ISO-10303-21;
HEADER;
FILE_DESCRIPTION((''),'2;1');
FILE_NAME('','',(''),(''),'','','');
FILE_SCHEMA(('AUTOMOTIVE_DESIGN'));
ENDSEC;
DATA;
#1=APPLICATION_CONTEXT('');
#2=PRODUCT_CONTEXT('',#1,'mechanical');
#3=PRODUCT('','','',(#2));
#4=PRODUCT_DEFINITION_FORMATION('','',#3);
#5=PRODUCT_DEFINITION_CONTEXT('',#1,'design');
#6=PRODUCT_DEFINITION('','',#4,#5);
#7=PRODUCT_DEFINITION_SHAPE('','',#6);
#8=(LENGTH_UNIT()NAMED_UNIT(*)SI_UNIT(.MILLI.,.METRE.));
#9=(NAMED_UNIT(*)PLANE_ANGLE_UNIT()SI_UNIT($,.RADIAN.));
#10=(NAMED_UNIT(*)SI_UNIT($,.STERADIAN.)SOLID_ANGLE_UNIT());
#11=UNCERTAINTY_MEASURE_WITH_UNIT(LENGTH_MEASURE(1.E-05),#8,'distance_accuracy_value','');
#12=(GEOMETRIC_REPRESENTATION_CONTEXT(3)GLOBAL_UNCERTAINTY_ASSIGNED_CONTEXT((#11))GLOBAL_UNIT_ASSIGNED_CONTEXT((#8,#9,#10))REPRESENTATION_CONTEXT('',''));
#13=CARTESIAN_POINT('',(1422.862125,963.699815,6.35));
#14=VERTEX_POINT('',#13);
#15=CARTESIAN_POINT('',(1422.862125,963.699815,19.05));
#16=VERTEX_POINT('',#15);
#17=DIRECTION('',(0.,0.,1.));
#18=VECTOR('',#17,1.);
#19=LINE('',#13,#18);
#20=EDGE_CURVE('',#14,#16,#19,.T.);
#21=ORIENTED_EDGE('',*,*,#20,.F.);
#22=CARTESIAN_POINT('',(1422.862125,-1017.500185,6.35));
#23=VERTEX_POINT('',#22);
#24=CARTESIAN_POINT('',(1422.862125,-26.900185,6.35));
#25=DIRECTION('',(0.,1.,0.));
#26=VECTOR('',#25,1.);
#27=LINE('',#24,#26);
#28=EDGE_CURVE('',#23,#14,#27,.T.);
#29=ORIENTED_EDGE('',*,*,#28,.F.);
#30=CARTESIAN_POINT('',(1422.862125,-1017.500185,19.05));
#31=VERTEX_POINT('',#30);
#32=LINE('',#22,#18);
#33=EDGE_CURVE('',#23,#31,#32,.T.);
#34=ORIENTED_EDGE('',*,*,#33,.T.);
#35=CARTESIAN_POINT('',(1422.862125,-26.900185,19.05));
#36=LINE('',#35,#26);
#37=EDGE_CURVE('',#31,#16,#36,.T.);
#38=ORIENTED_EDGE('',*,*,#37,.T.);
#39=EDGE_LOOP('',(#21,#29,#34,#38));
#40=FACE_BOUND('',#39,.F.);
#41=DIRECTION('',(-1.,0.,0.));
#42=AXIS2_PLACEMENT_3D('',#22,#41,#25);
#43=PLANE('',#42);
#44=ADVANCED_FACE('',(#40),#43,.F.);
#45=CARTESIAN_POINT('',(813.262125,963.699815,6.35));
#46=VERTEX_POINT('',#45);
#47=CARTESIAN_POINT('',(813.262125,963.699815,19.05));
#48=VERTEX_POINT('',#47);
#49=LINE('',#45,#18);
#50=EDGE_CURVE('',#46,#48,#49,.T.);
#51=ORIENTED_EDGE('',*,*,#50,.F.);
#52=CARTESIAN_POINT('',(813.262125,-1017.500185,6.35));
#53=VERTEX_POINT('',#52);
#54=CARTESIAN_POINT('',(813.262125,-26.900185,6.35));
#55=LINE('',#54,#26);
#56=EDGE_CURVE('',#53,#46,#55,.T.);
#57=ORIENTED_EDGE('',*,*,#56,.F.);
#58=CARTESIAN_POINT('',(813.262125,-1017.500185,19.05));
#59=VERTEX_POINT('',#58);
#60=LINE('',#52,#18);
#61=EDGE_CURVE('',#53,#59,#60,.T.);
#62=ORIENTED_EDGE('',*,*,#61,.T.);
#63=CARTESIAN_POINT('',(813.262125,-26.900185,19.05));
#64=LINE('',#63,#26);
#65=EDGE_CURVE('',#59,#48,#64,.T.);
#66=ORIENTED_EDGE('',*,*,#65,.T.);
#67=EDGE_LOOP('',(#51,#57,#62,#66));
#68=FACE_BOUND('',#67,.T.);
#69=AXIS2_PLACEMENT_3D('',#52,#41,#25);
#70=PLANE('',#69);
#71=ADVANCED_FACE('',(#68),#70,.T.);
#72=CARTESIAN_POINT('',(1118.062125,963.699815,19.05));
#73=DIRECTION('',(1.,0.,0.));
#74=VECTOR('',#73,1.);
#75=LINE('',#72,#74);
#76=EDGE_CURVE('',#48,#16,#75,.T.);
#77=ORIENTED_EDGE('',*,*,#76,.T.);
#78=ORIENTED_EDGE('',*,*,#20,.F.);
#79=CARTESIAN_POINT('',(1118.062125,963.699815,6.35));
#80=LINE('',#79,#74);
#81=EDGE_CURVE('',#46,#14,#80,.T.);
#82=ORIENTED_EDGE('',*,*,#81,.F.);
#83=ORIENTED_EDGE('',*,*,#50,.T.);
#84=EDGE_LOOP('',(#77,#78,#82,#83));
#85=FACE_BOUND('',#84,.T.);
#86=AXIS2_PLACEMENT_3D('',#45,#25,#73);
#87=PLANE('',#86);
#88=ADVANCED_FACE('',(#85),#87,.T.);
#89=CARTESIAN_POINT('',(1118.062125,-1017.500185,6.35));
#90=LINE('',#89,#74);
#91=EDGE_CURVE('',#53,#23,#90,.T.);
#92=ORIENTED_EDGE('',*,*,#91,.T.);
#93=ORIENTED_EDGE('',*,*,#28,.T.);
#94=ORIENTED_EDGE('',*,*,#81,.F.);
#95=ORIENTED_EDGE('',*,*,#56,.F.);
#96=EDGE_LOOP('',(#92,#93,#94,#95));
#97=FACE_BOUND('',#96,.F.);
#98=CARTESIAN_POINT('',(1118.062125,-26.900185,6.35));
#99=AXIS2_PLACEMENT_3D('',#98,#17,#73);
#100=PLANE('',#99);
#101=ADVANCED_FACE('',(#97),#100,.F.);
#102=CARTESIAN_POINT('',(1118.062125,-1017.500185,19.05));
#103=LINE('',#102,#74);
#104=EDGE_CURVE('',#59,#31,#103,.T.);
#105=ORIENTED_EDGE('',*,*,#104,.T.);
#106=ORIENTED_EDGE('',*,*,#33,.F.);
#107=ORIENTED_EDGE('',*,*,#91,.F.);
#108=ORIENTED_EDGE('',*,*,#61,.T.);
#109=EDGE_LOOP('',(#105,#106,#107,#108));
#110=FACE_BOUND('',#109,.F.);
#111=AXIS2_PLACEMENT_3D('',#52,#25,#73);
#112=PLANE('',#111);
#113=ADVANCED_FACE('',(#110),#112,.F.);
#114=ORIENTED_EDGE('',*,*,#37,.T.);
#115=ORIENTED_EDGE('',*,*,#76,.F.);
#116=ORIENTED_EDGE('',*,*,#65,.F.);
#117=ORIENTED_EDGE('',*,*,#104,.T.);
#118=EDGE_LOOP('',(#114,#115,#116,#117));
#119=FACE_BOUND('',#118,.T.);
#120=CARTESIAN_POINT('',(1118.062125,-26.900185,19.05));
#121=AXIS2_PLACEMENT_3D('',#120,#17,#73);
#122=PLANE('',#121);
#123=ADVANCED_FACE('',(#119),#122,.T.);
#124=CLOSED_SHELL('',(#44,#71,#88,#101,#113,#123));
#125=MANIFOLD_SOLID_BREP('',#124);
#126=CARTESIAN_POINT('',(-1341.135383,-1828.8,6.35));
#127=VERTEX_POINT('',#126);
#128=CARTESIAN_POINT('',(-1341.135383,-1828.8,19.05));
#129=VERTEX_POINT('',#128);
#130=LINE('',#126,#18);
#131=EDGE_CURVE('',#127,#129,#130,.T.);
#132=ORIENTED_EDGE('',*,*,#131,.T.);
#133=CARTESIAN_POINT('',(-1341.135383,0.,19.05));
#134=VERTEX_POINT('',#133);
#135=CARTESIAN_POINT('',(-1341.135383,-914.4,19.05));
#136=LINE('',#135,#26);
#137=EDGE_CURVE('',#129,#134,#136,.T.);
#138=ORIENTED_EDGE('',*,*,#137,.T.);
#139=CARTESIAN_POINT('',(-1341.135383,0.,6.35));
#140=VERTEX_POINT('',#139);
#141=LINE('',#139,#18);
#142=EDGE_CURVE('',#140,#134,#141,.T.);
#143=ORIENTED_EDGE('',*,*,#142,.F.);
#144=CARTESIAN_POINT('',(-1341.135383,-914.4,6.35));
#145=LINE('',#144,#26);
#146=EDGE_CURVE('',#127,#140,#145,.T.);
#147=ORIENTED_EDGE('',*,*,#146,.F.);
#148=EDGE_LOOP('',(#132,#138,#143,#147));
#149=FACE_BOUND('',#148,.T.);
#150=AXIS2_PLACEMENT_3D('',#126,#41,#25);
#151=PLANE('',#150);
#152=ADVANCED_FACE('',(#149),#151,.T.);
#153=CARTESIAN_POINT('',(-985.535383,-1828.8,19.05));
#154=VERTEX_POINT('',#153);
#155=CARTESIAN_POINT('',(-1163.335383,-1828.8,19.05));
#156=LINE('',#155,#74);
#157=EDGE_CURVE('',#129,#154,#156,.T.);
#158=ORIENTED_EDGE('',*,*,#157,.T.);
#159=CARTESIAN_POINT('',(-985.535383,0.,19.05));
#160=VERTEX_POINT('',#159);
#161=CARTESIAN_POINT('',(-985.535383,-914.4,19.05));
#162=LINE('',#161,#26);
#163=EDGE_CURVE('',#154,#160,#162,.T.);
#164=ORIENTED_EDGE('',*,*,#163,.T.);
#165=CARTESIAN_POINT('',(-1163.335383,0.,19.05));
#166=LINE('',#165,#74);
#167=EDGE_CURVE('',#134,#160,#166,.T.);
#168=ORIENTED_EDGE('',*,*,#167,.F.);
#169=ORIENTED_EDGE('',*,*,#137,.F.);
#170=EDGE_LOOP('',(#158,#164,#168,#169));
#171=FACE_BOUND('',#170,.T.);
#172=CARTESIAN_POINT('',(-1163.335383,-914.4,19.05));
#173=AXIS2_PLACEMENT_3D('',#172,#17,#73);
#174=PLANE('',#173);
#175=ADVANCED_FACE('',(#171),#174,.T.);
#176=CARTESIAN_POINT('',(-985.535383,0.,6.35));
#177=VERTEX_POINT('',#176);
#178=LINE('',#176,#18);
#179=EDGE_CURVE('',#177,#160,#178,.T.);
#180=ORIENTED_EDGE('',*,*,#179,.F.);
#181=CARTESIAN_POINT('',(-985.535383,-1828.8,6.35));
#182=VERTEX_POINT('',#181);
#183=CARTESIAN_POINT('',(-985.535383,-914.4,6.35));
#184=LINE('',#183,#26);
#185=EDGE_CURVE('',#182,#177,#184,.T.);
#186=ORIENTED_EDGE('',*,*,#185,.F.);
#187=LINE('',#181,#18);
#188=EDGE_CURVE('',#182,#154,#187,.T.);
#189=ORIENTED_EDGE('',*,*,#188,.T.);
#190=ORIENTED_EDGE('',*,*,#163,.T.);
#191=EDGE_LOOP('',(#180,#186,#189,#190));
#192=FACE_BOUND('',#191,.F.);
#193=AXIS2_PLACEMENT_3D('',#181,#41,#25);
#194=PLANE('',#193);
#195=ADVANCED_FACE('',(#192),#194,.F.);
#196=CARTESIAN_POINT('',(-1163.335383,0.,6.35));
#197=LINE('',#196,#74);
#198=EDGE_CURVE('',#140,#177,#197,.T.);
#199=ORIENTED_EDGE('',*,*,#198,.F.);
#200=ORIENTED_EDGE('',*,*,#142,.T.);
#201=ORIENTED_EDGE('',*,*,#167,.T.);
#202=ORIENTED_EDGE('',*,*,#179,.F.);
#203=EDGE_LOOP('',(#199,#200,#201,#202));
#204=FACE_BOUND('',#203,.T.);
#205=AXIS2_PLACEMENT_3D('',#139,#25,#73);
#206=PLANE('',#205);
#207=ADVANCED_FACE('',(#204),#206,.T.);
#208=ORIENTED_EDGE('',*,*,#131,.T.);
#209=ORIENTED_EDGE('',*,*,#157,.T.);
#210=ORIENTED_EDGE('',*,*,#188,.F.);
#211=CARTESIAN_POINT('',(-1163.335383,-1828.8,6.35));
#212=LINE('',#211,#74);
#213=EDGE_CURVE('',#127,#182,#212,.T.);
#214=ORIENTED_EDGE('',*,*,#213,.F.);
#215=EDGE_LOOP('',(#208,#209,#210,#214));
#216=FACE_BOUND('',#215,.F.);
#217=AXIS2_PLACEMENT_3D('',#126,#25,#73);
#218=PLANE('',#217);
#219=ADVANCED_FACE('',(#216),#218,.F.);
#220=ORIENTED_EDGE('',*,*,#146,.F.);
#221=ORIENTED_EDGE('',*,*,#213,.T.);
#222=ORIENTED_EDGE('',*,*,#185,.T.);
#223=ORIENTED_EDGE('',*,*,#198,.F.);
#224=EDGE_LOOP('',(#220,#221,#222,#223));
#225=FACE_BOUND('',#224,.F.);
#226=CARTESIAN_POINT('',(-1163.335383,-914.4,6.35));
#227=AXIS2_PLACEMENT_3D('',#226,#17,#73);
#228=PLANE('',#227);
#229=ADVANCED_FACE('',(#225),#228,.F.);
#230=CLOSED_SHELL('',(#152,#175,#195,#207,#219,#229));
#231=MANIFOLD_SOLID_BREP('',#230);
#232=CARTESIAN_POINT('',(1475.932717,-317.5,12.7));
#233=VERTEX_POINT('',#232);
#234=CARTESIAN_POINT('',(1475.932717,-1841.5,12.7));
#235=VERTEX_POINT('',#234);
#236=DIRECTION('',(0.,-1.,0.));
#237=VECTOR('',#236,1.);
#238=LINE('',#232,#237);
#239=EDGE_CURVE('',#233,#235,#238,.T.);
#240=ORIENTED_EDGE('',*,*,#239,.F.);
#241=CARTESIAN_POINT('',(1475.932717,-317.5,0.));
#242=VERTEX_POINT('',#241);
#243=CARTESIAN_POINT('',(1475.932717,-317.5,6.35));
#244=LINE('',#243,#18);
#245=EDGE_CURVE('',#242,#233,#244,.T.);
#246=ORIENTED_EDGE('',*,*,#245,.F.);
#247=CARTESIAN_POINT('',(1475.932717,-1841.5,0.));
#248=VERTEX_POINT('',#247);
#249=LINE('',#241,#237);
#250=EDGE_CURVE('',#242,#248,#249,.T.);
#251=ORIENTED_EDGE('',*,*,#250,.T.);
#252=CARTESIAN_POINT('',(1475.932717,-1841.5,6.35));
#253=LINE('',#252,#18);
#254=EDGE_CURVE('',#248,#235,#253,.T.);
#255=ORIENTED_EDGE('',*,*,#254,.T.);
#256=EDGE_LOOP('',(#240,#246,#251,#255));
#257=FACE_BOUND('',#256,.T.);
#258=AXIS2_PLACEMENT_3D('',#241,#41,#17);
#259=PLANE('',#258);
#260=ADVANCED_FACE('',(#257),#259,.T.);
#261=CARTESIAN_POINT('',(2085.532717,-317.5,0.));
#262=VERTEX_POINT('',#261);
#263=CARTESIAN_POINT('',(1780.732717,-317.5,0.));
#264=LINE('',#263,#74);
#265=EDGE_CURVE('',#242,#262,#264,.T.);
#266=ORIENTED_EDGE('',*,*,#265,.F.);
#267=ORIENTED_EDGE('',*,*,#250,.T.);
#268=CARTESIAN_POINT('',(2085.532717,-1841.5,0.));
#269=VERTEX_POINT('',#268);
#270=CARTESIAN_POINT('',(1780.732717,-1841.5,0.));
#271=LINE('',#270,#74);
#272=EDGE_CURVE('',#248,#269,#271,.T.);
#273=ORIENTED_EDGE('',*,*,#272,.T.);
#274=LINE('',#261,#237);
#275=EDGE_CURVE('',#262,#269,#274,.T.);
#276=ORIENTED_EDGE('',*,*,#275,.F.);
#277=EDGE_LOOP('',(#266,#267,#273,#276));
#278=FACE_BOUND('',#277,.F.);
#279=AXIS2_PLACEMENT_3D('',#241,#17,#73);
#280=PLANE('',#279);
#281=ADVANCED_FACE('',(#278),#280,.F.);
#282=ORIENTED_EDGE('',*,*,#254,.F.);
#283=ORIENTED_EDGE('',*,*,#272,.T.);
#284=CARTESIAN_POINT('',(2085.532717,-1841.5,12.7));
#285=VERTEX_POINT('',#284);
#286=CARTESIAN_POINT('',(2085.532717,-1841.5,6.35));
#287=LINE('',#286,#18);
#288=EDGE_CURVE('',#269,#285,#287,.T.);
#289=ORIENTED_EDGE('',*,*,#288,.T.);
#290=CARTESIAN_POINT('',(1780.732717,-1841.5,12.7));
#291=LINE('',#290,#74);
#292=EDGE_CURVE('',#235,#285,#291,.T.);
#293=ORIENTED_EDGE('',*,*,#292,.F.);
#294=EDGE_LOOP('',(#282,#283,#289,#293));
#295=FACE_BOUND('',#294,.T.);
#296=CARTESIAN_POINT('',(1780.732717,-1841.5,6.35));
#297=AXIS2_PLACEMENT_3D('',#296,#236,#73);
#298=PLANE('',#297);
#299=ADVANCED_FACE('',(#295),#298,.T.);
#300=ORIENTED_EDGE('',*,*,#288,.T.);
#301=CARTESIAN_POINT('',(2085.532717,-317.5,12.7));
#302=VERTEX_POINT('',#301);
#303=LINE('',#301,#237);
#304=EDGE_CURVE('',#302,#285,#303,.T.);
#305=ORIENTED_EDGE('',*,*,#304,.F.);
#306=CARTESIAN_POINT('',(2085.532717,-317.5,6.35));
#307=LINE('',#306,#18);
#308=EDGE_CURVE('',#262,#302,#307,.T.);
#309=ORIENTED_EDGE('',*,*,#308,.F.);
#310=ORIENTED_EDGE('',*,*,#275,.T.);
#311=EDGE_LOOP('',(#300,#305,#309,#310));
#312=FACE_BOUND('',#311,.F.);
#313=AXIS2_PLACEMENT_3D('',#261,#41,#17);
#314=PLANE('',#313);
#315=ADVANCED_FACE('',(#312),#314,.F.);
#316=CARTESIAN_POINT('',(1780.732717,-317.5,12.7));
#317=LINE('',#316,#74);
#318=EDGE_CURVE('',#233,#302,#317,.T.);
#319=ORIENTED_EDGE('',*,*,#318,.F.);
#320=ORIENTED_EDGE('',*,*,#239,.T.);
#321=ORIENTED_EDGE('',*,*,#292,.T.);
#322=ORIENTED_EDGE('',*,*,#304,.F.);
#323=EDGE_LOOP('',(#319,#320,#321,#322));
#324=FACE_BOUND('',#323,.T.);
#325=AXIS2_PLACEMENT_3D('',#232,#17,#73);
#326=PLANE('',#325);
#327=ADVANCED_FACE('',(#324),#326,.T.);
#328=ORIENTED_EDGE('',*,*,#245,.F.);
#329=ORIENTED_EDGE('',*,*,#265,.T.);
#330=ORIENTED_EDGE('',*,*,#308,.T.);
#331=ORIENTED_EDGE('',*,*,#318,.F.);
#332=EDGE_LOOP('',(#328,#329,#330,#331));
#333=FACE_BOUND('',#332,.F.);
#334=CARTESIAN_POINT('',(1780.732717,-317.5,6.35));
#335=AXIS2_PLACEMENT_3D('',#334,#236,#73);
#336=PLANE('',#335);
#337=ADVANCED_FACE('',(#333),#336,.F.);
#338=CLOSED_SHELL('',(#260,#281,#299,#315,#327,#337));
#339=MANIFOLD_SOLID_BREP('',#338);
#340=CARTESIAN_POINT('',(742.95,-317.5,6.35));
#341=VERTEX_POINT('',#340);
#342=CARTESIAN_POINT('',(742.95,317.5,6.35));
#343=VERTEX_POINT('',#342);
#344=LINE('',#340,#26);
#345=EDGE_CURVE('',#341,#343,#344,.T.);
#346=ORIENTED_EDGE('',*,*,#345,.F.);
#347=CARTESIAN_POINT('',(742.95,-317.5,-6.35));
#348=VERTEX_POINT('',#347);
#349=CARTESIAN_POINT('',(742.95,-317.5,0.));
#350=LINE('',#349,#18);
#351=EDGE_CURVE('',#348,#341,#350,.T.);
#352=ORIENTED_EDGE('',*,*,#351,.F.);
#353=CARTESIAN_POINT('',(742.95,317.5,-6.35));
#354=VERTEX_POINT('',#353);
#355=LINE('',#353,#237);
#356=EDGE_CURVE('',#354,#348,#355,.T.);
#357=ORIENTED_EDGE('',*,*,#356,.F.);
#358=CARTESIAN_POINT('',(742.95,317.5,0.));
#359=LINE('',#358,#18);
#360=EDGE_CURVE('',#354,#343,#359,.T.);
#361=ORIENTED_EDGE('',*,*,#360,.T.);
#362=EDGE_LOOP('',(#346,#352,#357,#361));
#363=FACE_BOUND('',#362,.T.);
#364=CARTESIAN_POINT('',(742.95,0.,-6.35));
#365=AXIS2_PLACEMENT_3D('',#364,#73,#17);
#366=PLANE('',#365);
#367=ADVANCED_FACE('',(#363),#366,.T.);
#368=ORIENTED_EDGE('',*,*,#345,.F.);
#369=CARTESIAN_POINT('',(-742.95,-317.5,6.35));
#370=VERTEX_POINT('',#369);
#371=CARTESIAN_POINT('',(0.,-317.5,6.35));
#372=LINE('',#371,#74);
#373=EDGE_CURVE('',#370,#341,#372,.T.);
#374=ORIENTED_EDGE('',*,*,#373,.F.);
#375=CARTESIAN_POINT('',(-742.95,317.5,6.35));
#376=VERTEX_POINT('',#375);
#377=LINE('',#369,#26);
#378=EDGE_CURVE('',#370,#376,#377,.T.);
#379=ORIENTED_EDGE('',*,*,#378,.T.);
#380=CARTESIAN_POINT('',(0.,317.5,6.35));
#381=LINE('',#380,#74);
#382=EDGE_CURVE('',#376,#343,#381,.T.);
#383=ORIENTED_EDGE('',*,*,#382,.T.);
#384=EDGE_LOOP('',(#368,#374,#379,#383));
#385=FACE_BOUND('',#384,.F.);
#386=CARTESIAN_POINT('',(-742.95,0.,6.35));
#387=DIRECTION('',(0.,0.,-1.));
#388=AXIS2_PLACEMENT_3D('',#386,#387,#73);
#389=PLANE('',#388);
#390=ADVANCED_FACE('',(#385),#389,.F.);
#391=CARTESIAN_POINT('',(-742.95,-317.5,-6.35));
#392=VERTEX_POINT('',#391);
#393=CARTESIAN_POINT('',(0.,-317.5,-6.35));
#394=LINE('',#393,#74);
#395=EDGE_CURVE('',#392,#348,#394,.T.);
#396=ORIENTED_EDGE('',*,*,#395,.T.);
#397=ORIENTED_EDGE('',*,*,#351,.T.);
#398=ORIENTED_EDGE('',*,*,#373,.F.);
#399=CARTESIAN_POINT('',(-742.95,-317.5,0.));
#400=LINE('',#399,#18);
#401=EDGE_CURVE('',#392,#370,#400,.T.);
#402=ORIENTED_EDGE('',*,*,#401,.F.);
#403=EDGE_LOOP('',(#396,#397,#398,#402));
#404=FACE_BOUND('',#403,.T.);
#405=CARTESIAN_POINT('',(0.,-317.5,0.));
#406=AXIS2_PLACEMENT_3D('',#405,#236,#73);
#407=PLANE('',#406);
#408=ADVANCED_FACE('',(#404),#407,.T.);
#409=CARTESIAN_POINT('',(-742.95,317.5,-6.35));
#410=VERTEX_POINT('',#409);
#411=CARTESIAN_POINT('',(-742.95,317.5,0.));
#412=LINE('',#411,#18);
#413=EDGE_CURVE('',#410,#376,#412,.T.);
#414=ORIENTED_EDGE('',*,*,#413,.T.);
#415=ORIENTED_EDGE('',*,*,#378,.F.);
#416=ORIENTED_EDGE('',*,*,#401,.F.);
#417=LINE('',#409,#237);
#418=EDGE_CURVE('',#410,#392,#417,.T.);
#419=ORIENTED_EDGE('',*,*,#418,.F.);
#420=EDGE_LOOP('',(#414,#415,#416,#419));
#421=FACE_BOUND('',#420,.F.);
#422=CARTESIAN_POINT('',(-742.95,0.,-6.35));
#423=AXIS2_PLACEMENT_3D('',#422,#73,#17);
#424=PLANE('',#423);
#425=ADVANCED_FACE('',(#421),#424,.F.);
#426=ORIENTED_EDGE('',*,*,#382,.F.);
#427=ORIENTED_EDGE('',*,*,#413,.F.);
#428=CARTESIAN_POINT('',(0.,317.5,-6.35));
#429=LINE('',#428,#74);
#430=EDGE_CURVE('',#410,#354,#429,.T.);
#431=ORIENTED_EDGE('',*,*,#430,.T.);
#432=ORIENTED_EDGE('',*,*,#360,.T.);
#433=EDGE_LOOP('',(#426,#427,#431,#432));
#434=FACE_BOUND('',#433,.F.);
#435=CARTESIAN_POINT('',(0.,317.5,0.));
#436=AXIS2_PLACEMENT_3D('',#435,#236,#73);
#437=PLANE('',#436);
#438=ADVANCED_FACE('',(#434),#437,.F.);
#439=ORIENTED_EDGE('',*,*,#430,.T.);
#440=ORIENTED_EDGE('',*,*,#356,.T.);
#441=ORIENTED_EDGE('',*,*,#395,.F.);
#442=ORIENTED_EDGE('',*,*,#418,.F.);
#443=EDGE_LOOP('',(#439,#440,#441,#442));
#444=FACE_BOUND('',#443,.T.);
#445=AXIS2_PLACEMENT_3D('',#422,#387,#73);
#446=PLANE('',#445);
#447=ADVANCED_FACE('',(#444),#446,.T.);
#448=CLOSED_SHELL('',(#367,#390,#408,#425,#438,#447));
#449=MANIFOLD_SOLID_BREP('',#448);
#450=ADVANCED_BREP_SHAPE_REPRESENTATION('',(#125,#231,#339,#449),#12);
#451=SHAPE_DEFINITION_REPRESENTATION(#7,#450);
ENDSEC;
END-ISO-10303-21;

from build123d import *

# Parameters (mm, degrees)
F0_W     = 1485.9
F0_H     = 12.7
F1_DEPTH = 317.5
F2_W     = 609.6
F2_H     = 1981.2
F3_DEPTH = 12.7
F4_W     = 355.6
F4_H     = 1828.8
F5_DEPTH = 12.7
F6_W     = 609.6
F6_H     = 12.7
F7_DEPTH = 1524


with BuildPart() as f1:
    # F0 (on Front) → F1 (new body, symmetric)
    with BuildSketch(Plane.XZ):
        Rectangle(F0_W, F0_H)
    extrude(amount=F1_DEPTH, both=True)


with BuildPart() as f3:
    # F2 (on face) → F3 (new body)
    with BuildSketch(Plane.XY.offset(6.35)):
        with Locations((1118.062125, -26.900185)):
            Rectangle(F2_W, F2_H)
    extrude(amount=F3_DEPTH)


with BuildPart() as f5:
    # F4 (on face) → F5 (new body)
    with BuildSketch(Plane.XY.offset(6.35)):
        with Locations((-1163.335383, -914.4)):
            Rectangle(F4_W, F4_H)
    extrude(amount=F5_DEPTH)


with BuildPart() as f7:
    # F6 (on face) → F7 (new body)
    with BuildSketch(Plane.XZ.offset(317.5)):
        with Locations((1780.732717, 6.35)):
            Rectangle(F6_W, F6_H)
    extrude(amount=F7_DEPTH)


solid = Compound([f1.part, f3.part, f5.part, f7.part])
